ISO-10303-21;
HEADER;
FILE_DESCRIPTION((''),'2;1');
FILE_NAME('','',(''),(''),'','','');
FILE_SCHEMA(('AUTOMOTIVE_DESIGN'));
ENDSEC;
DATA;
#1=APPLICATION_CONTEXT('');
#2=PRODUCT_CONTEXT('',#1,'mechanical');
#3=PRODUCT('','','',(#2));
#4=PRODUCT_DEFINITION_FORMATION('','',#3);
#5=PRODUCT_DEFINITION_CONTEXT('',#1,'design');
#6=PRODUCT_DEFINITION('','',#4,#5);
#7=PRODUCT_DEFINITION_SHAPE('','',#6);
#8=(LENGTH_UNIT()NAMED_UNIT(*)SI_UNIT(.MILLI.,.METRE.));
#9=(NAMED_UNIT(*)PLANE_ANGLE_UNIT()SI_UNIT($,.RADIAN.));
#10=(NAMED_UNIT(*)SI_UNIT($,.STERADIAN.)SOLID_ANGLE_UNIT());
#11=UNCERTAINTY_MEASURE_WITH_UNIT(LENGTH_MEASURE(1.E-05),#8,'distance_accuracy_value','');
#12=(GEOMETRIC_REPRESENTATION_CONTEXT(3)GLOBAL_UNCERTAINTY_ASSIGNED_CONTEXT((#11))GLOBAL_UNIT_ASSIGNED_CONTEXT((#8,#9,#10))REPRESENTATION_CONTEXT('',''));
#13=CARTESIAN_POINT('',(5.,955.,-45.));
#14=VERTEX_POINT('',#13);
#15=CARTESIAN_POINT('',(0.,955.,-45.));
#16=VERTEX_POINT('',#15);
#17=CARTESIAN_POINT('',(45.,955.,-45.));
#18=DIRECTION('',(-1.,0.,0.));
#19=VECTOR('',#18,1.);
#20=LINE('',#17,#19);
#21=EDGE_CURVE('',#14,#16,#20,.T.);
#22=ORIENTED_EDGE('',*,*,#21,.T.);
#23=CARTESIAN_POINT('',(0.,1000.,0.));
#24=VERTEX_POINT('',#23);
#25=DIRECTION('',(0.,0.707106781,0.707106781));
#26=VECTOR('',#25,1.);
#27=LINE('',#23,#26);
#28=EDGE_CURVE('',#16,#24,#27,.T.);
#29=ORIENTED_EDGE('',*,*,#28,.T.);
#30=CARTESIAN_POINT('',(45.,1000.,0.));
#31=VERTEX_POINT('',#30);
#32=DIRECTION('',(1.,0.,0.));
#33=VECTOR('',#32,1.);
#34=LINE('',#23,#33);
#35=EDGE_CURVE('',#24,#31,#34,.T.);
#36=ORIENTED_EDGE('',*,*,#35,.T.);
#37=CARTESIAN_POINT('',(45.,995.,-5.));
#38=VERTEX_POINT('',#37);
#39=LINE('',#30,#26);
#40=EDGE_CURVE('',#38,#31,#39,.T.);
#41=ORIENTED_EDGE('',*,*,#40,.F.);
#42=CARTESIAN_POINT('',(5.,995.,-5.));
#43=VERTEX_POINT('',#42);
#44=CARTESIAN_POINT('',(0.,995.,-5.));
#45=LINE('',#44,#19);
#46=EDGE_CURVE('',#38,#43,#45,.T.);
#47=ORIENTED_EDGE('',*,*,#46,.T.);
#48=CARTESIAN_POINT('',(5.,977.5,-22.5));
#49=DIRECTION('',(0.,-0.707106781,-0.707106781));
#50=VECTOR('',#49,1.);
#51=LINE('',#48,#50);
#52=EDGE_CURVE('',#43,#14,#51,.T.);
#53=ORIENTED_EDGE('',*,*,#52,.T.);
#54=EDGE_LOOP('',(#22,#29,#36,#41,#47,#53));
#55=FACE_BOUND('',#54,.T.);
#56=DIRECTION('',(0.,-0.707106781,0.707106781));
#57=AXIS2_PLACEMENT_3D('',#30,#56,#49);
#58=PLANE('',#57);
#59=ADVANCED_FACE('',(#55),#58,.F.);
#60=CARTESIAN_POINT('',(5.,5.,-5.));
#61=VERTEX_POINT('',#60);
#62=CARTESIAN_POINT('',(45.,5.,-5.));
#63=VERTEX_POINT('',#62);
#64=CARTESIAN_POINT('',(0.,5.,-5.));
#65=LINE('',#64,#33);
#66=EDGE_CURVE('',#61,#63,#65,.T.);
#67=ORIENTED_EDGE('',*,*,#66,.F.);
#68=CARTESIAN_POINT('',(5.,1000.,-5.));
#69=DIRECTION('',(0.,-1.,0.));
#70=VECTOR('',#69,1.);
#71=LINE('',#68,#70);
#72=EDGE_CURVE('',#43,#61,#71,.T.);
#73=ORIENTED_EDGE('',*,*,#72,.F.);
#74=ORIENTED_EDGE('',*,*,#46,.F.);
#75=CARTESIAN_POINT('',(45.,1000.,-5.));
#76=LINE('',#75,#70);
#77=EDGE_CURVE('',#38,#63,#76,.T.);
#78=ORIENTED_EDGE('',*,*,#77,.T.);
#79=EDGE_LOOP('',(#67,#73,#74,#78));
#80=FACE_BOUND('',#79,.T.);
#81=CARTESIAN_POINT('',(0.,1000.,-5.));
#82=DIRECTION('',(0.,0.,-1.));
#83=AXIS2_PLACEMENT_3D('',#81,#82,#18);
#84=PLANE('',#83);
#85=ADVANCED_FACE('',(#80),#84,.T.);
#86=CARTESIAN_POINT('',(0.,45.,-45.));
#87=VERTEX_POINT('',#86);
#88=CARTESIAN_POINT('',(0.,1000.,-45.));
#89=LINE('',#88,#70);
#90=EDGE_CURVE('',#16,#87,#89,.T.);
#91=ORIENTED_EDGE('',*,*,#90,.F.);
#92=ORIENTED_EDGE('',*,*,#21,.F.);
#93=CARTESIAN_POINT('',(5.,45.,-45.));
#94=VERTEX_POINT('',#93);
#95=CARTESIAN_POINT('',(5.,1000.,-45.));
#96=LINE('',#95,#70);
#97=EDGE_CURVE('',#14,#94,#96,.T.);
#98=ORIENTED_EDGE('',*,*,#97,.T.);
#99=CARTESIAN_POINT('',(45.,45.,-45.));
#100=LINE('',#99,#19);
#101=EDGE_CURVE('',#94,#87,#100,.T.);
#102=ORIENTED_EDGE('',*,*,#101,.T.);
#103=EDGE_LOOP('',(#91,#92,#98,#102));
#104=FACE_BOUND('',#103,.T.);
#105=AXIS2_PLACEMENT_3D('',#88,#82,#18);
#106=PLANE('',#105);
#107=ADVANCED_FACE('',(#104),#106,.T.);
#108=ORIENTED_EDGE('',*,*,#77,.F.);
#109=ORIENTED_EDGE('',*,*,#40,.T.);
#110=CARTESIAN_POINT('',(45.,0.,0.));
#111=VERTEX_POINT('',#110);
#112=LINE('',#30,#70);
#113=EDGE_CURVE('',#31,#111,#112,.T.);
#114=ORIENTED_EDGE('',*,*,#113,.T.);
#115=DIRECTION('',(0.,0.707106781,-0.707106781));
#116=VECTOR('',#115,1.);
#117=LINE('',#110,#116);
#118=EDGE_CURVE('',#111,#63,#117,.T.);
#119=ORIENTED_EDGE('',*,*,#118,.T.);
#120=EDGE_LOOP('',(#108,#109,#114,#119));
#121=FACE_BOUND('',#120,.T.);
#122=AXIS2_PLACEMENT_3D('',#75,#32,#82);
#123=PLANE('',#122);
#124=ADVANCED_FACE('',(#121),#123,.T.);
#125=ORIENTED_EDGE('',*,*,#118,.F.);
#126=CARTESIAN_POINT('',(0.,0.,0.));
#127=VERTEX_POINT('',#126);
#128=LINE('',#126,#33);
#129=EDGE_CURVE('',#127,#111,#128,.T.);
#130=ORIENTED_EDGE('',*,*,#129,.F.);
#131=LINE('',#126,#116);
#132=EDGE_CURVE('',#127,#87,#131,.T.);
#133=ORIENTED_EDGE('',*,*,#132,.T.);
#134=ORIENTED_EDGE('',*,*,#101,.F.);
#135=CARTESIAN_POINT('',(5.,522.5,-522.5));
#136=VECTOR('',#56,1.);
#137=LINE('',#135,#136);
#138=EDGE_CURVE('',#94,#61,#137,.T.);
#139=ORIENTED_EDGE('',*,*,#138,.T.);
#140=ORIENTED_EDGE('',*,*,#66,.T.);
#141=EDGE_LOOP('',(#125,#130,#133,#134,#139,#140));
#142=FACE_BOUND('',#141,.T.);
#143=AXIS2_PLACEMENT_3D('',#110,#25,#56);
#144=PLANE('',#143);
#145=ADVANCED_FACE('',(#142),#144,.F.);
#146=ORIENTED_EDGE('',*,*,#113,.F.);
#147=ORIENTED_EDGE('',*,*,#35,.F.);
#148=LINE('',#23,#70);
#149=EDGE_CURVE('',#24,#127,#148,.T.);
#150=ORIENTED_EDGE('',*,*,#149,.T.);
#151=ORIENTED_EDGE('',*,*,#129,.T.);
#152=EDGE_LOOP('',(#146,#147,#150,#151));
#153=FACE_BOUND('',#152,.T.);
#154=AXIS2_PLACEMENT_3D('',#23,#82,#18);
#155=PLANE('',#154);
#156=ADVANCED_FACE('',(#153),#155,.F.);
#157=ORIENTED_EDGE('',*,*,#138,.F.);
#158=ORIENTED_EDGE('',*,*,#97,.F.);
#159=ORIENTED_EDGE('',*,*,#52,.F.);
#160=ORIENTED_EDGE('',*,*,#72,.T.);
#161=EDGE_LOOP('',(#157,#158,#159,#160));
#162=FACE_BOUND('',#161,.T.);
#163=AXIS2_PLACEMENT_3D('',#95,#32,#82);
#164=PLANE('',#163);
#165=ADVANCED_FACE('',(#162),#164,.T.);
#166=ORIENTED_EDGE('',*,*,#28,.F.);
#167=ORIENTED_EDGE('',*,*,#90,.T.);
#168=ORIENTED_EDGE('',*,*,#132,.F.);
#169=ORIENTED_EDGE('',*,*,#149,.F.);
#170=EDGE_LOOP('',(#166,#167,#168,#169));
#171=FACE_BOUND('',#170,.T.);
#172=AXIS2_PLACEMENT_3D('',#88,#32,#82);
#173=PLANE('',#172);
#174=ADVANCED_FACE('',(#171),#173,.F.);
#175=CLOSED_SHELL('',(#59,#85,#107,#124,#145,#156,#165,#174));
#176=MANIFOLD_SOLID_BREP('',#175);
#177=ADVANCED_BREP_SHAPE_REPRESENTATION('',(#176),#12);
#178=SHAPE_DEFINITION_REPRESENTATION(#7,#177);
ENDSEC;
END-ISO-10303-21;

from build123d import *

# Parameters (mm, degrees)
EXTRUDE_1_DEPTH     = 1000
CUT_EXTRUDE_1_DEPTH = 46


with BuildPart() as part:
    # Эскиз1 → Вытянуть-Тонкостенный1 (new body)
    with BuildSketch(Plane(origin=(0, 0, 0), x_dir=(1, 0, 0), z_dir=(0, 1, 0))):
        Polygon((0, 45), (0, 0), (45, 0), (45, 5), (5, 5), (5, 45), align=None)
    extrude(amount=EXTRUDE_1_DEPTH)

    # Эскиз2 → Вырез-Вытянуть1 (cut, through all)
    with BuildSketch(Plane.ZY):
        Polygon((0, 0), (-45, 45), (-45, 0), align=None)
        Polygon((-45, 1000), (0, 1000), (-45, 955), align=None)
    extrude(amount=-CUT_EXTRUDE_1_DEPTH, mode=Mode.SUBTRACT)


solid = part.part
